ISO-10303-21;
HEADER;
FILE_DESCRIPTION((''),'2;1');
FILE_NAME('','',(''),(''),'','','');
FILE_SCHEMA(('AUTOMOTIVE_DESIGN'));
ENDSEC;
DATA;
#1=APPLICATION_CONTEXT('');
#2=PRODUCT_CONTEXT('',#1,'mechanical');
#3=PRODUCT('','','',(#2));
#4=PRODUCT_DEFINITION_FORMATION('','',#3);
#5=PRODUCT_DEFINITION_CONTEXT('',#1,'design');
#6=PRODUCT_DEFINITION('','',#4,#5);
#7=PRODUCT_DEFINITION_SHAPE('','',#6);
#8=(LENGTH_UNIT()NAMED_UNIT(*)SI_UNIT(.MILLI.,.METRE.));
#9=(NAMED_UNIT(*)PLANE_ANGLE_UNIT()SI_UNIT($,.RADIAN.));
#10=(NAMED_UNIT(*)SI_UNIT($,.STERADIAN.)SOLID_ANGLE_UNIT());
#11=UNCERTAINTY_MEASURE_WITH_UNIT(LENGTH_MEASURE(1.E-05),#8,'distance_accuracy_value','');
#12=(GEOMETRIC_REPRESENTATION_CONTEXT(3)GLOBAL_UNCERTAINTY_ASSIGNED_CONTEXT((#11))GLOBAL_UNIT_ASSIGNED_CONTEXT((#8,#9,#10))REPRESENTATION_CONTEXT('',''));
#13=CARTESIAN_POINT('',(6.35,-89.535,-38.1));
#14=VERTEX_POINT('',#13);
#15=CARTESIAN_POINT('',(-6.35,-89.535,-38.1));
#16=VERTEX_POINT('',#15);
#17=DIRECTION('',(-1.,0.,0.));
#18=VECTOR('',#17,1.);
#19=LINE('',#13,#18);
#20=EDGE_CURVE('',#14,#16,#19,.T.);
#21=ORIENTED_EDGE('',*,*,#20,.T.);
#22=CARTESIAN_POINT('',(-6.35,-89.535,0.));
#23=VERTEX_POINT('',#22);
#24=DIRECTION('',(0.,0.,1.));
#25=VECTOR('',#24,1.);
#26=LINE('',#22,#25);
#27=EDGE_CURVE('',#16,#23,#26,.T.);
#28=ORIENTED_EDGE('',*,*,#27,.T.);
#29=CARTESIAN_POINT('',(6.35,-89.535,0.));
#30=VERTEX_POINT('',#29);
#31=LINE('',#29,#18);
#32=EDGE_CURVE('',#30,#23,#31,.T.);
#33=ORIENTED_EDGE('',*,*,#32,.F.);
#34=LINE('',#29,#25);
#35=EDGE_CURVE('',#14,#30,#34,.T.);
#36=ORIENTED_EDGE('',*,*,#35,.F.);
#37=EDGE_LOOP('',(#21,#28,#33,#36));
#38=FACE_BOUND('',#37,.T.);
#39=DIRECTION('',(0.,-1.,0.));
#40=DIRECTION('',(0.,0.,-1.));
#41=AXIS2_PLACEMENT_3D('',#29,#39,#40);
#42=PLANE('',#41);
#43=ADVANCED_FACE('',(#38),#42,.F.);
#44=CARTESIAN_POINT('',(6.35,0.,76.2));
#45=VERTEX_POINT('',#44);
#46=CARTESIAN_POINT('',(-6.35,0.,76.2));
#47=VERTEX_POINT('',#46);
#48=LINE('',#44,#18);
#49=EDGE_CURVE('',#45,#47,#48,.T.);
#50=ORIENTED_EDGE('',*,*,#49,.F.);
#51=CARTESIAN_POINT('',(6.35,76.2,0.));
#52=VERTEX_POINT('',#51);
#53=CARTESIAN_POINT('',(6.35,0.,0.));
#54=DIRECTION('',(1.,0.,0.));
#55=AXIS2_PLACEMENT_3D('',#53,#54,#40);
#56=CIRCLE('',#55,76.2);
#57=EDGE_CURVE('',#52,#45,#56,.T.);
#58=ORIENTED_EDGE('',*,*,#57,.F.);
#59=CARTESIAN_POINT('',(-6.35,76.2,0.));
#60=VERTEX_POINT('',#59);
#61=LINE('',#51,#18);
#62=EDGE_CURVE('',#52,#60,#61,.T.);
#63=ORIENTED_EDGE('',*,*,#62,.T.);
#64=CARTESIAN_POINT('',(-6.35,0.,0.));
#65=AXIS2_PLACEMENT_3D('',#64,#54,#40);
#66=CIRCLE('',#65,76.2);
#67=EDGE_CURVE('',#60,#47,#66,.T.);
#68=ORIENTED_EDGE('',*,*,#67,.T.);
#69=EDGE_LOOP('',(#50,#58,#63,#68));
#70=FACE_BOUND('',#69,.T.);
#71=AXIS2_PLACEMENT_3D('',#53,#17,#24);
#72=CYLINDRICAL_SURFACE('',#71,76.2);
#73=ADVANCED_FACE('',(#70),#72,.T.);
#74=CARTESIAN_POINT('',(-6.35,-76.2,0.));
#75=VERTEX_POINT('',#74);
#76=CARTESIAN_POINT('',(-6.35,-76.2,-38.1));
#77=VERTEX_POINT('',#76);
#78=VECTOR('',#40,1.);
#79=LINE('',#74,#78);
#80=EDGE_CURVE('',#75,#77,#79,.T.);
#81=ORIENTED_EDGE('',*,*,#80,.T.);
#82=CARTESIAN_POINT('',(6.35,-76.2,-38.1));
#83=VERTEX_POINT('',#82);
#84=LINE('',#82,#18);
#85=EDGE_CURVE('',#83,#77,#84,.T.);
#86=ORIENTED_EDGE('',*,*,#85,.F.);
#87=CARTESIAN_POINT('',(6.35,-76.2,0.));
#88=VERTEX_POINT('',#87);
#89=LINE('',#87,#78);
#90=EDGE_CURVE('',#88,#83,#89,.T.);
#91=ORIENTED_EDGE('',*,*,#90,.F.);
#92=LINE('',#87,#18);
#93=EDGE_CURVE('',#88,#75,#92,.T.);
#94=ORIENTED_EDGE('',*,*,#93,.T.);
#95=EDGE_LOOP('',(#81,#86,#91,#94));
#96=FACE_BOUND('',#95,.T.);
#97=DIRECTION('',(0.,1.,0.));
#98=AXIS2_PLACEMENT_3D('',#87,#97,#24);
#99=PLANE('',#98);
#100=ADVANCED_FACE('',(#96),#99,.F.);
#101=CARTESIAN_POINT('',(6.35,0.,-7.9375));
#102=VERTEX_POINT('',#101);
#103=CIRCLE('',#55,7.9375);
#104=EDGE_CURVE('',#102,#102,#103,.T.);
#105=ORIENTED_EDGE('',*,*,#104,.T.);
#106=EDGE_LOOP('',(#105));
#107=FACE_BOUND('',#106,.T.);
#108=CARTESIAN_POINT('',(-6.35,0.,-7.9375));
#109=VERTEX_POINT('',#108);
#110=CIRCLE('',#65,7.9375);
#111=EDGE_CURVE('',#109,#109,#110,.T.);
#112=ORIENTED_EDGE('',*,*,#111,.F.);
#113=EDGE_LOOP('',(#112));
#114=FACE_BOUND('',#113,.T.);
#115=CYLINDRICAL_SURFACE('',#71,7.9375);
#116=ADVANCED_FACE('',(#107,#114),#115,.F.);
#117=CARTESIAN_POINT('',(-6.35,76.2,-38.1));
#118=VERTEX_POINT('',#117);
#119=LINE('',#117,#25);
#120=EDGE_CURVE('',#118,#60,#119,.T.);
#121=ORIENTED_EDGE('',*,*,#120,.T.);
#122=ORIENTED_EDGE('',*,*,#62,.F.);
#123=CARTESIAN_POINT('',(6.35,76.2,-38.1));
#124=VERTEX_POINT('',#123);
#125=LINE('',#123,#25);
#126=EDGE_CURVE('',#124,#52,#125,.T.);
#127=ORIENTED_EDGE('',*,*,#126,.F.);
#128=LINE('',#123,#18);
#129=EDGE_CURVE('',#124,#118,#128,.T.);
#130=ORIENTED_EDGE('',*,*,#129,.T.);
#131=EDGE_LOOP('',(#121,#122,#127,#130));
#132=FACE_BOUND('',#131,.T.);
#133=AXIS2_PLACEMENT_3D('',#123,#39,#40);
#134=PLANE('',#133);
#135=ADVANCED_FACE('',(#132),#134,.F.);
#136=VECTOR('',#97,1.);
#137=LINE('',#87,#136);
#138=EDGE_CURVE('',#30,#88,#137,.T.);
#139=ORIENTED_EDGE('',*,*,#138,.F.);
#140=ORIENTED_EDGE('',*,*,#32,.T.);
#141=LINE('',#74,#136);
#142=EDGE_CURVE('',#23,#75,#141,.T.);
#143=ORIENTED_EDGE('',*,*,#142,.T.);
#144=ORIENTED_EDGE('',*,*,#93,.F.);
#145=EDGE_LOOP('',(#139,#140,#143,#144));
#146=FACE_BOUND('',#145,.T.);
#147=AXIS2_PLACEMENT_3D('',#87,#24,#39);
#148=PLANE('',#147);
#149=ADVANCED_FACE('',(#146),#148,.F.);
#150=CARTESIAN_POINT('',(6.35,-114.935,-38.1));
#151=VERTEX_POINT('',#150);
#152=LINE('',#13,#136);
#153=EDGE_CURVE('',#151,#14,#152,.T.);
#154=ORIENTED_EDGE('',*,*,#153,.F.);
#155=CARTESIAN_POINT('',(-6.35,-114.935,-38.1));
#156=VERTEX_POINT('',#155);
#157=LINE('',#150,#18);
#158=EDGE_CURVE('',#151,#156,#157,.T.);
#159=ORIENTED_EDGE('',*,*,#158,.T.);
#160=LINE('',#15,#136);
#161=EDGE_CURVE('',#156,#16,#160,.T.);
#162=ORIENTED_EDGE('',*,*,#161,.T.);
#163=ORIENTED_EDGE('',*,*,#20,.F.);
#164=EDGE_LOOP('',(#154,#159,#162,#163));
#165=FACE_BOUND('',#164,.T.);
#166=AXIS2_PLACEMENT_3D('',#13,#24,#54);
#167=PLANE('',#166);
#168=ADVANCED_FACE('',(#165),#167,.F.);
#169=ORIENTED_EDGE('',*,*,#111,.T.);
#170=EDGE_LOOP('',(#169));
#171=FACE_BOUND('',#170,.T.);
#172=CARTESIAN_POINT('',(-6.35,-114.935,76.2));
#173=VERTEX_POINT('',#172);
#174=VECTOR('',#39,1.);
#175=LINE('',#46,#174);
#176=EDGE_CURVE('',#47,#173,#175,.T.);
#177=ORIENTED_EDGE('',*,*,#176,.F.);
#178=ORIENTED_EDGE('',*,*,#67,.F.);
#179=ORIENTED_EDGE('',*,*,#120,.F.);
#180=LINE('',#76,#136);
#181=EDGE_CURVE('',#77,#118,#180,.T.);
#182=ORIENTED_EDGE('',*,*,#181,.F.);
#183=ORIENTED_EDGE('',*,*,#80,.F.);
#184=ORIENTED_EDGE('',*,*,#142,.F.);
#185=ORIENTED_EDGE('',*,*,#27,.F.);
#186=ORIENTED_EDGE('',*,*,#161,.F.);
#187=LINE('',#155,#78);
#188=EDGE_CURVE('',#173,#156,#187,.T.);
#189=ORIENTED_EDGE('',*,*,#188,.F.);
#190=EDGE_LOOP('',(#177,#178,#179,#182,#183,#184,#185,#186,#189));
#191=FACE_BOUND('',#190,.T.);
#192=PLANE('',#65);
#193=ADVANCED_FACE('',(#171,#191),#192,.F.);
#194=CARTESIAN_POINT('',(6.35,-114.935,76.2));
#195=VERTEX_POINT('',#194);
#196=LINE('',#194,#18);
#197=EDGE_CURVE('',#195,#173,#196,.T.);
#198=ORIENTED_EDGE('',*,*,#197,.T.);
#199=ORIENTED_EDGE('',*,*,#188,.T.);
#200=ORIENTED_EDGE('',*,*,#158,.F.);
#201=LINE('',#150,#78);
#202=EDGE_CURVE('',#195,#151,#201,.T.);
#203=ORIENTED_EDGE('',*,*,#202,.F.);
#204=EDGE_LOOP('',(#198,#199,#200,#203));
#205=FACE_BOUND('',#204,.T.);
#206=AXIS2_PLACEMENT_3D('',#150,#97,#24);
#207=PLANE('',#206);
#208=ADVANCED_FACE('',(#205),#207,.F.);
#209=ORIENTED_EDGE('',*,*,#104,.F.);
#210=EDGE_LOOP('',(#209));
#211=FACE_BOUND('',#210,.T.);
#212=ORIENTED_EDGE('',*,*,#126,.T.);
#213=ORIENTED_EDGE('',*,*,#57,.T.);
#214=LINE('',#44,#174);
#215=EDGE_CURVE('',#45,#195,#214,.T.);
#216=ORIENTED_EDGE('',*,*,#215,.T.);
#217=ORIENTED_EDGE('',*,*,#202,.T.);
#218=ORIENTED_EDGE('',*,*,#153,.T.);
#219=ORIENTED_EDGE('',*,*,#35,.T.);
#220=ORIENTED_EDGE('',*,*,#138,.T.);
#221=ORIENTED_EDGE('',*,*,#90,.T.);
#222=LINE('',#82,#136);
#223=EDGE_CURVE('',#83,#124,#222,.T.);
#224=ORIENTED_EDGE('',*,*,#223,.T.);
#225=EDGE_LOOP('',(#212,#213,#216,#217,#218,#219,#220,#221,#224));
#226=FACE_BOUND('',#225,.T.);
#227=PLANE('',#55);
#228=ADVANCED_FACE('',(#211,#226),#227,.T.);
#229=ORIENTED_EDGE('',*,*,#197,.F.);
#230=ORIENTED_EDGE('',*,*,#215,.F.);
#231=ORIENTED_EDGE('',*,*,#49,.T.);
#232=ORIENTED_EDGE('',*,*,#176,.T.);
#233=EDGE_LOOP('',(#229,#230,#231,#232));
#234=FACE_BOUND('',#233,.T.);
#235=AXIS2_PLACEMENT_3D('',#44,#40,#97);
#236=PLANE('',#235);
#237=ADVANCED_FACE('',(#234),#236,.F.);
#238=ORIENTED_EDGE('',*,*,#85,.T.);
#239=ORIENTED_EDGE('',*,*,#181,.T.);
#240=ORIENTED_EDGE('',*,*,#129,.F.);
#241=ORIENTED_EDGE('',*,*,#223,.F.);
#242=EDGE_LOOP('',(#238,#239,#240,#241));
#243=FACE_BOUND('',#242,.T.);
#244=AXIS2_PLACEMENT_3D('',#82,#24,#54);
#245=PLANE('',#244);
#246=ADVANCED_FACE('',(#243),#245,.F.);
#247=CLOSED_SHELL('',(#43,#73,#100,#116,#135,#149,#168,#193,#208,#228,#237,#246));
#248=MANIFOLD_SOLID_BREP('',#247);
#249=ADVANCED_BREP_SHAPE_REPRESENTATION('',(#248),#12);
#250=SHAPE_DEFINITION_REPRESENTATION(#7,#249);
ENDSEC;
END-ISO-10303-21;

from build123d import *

# Parameters (mm, degrees)
SKETCH1_R           = 7.9375
BOSS_EXTRUDE1_DEPTH = 6.35


with BuildPart() as part:
    # Sketch1 → Boss-Extrude1 (new body, symmetric)
    with BuildSketch(Plane(origin=(0, 0, 0), x_dir=(0, 0, -1), z_dir=(1, 0, 0))):
        with BuildLine():
            Line((0, -76.2), (38.1, -76.2))
            Line((38.1, -76.2), (38.1, 76.2))
            Line((38.1, 76.2), (0, 76.2))
            ThreePointArc((0, 76.2), (-53.881536726, 53.881536726), (-76.2, 0))
            Line((-76.2, 0), (-76.2, -114.935))
            Line((-76.2, -114.935), (38.1, -114.935))
            Line((38.1, -114.935), (38.1, -89.535))
            Line((38.1, -89.535), (0, -89.535))
            Line((0, -89.535), (0, -76.2))
        make_face()
        Circle(SKETCH1_R, mode=Mode.SUBTRACT)
    extrude(amount=BOSS_EXTRUDE1_DEPTH, both=True)


solid = part.part
